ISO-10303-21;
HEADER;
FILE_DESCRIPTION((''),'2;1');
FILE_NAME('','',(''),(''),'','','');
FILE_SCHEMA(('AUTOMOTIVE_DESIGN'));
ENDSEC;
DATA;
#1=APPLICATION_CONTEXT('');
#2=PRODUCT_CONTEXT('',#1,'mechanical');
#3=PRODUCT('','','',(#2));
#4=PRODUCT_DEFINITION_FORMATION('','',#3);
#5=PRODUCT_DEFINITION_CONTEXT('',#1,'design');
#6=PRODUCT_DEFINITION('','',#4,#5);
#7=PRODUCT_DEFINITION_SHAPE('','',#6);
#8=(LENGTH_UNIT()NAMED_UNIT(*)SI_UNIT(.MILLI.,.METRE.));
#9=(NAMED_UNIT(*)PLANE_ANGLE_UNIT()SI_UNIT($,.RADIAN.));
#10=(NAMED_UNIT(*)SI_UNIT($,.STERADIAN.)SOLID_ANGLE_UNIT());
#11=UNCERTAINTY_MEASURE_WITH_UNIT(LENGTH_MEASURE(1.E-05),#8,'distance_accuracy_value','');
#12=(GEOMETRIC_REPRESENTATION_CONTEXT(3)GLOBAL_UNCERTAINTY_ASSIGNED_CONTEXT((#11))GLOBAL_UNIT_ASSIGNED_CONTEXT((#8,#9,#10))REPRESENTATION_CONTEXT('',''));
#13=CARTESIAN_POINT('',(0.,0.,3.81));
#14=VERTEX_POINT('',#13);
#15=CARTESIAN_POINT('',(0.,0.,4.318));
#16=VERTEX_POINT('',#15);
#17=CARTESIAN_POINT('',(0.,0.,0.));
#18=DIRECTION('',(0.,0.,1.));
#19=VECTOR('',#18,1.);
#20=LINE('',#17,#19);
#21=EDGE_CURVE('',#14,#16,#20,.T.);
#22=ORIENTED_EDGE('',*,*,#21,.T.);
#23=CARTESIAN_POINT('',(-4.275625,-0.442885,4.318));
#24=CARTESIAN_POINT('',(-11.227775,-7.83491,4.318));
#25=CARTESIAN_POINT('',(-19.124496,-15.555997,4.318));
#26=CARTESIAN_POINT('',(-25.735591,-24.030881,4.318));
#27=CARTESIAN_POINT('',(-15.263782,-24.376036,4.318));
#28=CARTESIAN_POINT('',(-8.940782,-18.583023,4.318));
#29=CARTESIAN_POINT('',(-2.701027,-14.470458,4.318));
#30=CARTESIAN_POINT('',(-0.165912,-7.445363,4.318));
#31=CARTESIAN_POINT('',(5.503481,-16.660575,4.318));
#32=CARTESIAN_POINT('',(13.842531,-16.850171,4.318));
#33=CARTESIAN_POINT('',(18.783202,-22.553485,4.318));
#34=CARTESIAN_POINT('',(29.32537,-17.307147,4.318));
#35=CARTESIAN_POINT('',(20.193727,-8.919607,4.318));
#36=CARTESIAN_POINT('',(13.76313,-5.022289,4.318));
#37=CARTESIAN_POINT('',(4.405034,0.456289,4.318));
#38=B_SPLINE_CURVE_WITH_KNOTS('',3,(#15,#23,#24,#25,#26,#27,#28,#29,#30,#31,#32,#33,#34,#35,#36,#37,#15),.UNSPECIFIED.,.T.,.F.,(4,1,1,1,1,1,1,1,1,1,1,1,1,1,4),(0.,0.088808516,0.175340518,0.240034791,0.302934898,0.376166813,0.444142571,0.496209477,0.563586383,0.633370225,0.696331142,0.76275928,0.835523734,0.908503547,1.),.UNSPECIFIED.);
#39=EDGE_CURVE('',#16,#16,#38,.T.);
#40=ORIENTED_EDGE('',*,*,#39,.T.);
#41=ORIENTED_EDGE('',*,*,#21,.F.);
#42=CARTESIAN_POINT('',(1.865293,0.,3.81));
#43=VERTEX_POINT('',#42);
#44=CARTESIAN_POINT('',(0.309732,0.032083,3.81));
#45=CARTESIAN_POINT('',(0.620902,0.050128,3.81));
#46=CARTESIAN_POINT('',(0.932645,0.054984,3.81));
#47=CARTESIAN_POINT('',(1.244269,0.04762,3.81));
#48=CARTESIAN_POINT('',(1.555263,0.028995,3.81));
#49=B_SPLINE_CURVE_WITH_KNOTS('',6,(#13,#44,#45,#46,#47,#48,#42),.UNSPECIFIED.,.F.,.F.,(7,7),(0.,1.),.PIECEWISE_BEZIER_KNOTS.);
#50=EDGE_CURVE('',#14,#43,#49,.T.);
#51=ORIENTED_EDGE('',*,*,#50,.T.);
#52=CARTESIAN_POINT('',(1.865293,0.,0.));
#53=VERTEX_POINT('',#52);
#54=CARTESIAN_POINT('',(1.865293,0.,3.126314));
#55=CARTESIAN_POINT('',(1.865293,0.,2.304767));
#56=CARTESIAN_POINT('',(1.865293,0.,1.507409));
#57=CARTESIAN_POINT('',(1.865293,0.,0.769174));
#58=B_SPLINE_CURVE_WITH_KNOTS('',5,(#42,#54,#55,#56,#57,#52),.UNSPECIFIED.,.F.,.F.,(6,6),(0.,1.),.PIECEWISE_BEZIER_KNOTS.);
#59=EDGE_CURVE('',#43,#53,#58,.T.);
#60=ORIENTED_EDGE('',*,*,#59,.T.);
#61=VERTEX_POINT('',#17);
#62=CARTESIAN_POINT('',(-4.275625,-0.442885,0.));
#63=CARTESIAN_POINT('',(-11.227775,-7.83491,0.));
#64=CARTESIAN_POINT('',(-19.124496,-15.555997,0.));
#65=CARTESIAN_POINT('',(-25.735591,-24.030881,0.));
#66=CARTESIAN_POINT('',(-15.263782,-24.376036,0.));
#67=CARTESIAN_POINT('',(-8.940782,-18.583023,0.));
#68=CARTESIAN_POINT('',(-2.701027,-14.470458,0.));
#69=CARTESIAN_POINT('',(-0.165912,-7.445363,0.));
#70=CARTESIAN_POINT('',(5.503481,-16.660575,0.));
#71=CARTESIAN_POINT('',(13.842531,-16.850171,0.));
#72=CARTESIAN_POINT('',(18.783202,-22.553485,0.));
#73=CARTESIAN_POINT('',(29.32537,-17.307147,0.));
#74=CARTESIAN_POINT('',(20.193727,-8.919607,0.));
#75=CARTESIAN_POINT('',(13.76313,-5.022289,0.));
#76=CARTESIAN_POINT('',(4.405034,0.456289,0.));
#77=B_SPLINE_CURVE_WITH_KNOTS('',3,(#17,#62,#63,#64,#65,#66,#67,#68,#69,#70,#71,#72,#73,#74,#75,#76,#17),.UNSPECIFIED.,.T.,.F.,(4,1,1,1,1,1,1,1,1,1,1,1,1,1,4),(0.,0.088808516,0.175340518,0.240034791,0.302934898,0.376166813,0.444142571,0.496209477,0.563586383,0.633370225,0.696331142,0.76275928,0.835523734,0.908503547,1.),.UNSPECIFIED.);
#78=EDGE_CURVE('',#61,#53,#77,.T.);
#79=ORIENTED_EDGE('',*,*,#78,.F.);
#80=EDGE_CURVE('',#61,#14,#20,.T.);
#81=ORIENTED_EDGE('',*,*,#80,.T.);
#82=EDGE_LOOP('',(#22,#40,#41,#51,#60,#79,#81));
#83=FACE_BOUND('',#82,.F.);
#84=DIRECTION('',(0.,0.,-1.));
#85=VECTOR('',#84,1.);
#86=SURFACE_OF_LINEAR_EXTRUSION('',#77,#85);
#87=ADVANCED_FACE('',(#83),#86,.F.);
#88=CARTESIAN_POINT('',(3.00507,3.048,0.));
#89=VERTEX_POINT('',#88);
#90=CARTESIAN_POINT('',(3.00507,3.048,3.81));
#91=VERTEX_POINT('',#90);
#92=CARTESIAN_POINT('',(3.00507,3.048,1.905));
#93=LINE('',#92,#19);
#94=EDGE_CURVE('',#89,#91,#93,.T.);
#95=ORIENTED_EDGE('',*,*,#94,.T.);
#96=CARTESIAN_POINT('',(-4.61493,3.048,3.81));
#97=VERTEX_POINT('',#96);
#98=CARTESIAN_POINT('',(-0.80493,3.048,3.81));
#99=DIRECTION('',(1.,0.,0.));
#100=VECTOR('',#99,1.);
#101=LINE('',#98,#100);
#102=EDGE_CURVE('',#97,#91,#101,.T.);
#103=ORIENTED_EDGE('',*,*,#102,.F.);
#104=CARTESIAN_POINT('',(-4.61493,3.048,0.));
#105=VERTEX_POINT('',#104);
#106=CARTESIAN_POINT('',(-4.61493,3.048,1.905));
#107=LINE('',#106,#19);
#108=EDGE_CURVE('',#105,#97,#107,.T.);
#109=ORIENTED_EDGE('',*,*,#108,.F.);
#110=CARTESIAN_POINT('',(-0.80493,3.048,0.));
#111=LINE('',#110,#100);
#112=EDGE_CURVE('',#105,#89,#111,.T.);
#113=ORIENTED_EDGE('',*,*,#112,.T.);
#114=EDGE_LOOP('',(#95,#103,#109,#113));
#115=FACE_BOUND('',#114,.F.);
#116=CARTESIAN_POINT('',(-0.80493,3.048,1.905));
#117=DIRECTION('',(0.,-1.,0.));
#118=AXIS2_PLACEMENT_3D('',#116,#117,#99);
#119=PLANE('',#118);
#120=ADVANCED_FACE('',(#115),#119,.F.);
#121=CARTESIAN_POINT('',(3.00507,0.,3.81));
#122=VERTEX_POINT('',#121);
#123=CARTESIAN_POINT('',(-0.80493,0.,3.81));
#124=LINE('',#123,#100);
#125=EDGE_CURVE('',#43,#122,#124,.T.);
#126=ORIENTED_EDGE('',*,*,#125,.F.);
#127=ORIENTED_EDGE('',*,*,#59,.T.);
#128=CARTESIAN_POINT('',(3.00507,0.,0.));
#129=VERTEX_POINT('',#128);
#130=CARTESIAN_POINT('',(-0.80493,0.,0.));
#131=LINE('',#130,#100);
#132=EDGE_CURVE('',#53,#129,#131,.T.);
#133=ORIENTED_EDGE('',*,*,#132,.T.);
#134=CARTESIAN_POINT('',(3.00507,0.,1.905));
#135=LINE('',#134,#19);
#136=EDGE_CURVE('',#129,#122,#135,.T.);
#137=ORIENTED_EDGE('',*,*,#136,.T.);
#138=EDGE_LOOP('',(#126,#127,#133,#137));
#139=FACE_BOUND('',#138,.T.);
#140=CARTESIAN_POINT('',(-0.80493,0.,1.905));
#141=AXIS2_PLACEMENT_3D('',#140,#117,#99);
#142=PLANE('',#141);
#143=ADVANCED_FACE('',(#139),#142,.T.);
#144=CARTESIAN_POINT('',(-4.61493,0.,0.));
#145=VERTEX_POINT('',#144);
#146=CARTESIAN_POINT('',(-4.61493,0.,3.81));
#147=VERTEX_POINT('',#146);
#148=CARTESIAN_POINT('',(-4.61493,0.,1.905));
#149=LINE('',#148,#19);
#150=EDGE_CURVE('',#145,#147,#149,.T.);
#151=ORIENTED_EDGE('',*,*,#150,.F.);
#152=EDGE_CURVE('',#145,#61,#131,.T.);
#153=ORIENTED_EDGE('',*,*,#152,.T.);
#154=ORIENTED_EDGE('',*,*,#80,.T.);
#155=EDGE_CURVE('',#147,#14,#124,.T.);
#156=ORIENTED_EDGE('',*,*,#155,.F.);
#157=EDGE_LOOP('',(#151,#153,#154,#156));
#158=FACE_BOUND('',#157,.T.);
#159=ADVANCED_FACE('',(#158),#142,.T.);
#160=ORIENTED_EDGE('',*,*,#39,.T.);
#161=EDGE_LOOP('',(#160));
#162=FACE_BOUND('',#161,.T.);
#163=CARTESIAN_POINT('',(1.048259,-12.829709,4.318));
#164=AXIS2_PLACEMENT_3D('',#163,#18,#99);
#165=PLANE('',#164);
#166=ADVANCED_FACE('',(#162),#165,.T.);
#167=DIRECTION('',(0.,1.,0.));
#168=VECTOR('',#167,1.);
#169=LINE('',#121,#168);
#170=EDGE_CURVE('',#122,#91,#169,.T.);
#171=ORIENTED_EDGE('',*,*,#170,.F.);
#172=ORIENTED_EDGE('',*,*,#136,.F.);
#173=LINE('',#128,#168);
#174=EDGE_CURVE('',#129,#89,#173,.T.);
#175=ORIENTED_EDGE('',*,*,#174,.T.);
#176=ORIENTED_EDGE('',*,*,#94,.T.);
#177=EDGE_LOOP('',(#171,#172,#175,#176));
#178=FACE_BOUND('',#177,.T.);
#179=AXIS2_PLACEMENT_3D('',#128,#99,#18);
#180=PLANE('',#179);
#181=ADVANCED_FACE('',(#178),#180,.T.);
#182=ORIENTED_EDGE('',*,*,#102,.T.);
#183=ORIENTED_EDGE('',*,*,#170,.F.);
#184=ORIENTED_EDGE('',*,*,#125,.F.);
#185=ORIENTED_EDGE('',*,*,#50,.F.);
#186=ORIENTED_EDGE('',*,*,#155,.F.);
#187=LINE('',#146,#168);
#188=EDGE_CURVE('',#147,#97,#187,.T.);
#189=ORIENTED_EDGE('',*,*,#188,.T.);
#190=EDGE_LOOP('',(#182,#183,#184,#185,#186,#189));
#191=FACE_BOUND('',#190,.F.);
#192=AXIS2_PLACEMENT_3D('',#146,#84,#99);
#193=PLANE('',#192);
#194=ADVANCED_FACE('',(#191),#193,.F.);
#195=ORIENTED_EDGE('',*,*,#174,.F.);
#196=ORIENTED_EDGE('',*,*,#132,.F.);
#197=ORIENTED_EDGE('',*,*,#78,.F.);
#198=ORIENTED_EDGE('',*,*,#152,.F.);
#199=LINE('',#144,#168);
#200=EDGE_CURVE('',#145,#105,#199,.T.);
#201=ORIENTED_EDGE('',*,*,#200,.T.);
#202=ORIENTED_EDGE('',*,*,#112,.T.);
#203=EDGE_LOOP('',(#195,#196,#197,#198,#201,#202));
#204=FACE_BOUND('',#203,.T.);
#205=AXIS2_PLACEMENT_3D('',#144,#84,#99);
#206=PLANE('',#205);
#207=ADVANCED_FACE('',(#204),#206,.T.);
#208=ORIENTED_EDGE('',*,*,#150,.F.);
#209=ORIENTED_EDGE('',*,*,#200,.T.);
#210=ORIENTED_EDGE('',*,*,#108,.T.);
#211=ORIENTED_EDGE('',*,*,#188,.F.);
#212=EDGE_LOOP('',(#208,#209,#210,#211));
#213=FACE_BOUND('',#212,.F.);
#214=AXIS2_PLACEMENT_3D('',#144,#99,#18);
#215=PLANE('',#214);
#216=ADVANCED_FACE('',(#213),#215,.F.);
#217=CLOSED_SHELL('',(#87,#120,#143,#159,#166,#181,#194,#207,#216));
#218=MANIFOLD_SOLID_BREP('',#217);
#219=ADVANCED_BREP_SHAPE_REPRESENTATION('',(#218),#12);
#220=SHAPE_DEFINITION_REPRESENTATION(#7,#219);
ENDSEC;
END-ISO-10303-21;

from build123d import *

# Parameters (mm, degrees)
F1_DEPTH = 4.318
F2_W     = 7.62
F2_H     = 3.81
F3_DEPTH = 3.048


with BuildPart() as f1:
    # F0 (on Top) → F1 (new body)
    with BuildSketch(Plane.XY):
        with BuildLine():
            add(Edge.make_bspline(
                [(0, 0), (-4.2756253163, -0.4428847294), (-11.227774789, -7.8349099243), (-19.1244955212, -15.5559966968), (-25.7355914676, -24.0308808809), (-15.2637815708, -24.3760358013), (-8.9407815701, -18.5830233001), (-2.701027216, -14.4704580585), (-0.165912231, -7.4453628385), (5.5034813397, -16.6605746893), (13.8425314374, -16.8501711643), (18.7832017209, -22.5534854758), (29.3253702155, -17.3071469453), (20.1937266544, -8.9196067366), (13.7631298279, -5.0222890439), (4.4050342472, 0.4562893744), (0, 0)],
                knots=[0, 0, 0, 0, 0.0888085156, 0.1753405179, 0.2400347907, 0.3029348981, 0.3761668134, 0.4441425712, 0.4962094767, 0.5635863826, 0.6333702248, 0.696331142, 0.7627592803, 0.8355237345, 0.9085035466, 1, 1, 1, 1], degree=3))
        make_face()
    extrude(amount=F1_DEPTH)

    # F2 (on Front) → F3 (join)
    with BuildSketch(Plane.XZ):
        with Locations((-0.8049300889, 1.905)):
            Rectangle(F2_W, F2_H)
    extrude(amount=-F3_DEPTH)


solid = f1.part
